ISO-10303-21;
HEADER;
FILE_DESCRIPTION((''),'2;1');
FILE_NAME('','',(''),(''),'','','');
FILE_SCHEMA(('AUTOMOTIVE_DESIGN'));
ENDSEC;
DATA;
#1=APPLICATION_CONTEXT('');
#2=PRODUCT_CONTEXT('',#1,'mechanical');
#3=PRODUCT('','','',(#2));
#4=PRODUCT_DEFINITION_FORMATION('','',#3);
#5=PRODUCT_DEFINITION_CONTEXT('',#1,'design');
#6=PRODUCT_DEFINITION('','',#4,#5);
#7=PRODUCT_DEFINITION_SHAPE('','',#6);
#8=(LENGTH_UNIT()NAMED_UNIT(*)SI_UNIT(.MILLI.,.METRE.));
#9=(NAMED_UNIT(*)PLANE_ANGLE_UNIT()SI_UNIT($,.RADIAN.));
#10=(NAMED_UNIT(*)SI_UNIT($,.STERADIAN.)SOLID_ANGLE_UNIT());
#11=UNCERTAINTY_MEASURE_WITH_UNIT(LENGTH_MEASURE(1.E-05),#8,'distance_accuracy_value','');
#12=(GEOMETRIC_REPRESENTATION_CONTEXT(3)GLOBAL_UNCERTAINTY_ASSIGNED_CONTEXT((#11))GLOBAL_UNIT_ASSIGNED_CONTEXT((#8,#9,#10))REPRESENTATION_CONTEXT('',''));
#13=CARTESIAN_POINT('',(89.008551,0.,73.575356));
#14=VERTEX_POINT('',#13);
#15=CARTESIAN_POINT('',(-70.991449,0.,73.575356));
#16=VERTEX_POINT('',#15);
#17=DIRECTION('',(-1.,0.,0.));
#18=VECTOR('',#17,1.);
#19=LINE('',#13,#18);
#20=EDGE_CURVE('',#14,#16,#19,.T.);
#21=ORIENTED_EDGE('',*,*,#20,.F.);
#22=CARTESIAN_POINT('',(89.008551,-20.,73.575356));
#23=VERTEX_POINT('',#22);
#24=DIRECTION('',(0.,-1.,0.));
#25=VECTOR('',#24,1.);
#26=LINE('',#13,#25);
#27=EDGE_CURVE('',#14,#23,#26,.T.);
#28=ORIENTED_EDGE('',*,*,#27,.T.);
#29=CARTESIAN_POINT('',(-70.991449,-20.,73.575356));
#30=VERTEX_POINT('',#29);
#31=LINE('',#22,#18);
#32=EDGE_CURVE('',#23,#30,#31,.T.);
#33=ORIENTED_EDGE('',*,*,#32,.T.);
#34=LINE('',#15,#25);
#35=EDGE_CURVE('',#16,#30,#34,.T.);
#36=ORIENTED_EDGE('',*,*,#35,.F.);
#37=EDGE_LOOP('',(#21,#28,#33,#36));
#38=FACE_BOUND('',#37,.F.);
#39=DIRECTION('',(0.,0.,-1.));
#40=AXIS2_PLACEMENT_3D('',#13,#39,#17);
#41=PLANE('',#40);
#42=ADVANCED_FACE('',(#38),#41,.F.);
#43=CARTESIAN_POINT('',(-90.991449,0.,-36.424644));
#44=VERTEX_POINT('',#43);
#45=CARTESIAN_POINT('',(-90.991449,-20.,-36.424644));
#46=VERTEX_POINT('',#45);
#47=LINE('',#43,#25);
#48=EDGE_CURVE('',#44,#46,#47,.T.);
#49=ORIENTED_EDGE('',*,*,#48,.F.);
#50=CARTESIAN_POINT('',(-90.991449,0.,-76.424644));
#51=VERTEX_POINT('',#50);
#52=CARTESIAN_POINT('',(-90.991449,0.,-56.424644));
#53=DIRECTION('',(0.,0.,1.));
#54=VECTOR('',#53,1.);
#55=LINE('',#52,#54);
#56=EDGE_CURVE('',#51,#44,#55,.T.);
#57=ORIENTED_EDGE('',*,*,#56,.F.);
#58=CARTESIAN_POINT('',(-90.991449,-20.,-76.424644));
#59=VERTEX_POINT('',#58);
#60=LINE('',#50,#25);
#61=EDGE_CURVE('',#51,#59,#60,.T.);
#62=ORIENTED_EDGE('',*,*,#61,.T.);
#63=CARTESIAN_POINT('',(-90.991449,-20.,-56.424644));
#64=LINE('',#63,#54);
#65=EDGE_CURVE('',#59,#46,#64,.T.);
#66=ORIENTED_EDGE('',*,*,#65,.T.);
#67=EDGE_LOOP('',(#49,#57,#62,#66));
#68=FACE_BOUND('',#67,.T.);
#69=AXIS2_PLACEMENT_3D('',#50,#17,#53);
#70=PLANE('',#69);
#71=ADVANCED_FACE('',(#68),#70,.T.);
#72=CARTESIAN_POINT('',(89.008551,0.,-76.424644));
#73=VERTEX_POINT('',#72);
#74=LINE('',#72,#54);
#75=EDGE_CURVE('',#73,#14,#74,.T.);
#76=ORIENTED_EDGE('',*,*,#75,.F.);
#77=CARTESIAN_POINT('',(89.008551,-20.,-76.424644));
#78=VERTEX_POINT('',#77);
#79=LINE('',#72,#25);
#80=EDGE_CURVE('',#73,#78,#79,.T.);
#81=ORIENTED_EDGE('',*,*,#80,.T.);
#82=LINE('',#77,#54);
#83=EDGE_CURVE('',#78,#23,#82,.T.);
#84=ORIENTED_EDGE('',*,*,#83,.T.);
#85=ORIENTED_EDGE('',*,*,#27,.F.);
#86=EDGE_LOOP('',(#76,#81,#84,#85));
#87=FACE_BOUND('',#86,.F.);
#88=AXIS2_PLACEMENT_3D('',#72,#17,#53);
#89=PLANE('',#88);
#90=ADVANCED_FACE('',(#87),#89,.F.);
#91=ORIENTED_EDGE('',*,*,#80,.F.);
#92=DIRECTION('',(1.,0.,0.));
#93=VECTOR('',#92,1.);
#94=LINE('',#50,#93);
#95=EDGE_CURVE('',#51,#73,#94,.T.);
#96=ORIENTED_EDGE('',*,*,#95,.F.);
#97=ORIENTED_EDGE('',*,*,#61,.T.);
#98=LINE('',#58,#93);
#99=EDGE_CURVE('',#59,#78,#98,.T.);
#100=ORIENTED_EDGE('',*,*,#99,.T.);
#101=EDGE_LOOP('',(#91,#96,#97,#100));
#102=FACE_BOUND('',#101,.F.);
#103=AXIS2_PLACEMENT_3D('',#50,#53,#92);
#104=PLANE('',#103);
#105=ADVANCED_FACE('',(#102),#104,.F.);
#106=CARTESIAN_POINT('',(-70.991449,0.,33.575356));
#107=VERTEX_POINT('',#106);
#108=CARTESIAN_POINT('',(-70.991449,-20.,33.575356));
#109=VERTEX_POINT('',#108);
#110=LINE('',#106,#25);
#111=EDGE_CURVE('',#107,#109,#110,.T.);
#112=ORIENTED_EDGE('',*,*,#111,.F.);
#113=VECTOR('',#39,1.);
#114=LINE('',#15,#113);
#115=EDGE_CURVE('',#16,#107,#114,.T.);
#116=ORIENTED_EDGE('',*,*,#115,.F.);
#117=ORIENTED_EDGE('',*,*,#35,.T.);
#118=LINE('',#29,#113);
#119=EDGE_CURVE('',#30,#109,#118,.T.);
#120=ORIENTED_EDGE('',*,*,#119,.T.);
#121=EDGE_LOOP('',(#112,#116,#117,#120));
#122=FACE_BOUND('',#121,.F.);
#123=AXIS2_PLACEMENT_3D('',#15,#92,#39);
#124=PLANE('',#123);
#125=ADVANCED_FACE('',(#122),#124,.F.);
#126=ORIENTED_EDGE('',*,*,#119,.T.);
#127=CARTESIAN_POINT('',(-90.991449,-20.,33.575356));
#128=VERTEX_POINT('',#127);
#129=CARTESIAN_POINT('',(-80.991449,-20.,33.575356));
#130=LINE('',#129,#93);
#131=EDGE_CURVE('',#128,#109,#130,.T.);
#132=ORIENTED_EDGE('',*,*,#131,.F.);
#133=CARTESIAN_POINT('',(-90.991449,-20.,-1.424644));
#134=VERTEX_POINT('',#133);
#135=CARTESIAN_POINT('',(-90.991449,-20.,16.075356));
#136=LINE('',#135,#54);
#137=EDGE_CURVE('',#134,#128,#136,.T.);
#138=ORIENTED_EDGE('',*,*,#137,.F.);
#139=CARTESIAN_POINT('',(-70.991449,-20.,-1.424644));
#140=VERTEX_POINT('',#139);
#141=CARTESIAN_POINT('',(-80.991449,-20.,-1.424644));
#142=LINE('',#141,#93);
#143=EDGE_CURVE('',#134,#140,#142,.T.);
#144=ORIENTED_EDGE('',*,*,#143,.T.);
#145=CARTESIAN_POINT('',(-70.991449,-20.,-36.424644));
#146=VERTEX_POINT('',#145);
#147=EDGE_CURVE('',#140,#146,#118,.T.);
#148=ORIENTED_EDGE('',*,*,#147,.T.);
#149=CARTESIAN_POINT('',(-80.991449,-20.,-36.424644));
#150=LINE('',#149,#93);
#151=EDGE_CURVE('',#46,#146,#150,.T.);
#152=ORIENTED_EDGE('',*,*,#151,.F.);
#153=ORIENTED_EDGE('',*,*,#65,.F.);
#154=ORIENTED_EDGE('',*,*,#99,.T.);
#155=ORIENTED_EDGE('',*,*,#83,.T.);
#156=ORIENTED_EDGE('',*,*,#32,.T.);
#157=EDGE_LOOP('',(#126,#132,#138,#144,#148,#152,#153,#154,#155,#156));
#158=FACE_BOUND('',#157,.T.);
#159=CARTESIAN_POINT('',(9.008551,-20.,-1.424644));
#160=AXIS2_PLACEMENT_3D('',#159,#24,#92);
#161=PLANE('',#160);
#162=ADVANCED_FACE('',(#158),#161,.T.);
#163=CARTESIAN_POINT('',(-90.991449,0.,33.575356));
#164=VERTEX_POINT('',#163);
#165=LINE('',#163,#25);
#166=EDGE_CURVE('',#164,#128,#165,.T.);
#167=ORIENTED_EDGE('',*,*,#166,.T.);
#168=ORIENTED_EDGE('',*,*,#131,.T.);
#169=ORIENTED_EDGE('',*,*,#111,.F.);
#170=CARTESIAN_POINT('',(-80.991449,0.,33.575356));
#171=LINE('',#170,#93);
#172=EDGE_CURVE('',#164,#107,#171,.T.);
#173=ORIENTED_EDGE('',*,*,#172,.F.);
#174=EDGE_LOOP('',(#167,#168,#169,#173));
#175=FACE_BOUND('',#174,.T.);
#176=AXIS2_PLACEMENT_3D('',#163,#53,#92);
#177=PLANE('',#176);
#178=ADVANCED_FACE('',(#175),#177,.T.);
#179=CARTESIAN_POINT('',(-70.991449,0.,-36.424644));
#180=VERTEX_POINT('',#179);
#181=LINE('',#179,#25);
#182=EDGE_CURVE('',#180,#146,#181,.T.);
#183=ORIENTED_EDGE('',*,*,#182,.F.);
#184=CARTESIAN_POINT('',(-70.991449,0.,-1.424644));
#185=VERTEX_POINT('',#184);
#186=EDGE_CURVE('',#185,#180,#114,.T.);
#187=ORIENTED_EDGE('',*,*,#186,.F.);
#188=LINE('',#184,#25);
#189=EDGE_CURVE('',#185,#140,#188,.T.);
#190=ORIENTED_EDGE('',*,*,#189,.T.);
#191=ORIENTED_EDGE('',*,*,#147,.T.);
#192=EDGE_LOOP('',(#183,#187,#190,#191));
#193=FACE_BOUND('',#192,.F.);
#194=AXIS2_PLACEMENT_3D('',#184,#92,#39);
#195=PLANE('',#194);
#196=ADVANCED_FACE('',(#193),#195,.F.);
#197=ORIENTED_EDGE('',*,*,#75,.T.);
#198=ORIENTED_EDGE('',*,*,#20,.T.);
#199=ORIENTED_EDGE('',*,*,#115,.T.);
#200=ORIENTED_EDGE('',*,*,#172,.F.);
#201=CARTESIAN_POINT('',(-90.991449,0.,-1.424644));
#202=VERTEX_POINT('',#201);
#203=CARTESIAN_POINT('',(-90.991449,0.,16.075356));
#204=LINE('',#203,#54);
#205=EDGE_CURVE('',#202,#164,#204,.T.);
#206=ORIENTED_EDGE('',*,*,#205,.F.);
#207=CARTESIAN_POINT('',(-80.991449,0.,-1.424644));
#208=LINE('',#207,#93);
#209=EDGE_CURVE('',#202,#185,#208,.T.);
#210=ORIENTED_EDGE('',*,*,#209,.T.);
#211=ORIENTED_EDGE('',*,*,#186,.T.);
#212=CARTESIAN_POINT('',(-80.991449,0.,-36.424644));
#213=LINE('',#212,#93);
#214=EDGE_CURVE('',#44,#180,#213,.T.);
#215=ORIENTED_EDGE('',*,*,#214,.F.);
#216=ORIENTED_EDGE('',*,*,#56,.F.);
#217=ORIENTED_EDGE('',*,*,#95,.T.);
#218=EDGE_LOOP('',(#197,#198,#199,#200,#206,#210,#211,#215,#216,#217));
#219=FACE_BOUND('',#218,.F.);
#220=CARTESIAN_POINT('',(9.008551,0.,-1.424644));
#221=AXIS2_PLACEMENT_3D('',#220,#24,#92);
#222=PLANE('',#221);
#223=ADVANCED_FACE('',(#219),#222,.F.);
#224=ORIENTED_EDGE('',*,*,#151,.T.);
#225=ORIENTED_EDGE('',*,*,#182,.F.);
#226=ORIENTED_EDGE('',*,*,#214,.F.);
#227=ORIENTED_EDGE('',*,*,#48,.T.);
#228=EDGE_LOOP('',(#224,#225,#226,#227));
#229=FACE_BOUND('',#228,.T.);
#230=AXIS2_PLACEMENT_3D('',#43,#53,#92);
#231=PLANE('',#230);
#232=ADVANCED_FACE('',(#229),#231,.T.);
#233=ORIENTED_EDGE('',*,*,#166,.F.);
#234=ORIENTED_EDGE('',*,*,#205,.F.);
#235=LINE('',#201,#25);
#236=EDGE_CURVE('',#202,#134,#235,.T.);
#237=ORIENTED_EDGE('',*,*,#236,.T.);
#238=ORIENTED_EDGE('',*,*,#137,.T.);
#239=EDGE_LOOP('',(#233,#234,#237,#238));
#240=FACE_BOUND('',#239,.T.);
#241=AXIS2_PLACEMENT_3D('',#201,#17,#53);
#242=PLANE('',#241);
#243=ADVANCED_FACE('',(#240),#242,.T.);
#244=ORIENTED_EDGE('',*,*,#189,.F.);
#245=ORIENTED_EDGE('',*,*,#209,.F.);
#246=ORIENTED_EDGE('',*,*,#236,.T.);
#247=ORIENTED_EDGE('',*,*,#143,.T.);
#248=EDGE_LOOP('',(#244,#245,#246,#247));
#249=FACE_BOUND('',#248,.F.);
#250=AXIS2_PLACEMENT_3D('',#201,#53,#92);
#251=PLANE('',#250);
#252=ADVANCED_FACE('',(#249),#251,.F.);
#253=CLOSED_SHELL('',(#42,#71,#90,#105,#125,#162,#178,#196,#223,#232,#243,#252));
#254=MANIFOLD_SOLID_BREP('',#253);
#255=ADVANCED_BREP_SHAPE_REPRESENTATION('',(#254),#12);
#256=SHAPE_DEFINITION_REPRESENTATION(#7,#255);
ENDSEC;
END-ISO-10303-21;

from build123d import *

# Parameters (mm, degrees)
F0_W     = 20
F0_H     = 35
F0_H_2   = 40
F1_DEPTH = 20


with BuildPart() as f1:
    # F0 (on Front) → F1 (new body)
    with BuildSketch(Plane.XZ):
        Polygon((89.008551, 73.575356), (-70.991449, 73.575356), (-70.991449, 33.575356), (-70.991449, -1.424644), (-70.991449, -36.424644), (-70.991449, -76.424644), (89.008551, -76.424644), align=None)
        with Locations((-80.991449, 16.075356)):
            Rectangle(F0_W, F0_H)
        with Locations((-80.991449, -56.424644)):
            Rectangle(F0_W, F0_H_2)
    extrude(amount=F1_DEPTH)


solid = f1.part
